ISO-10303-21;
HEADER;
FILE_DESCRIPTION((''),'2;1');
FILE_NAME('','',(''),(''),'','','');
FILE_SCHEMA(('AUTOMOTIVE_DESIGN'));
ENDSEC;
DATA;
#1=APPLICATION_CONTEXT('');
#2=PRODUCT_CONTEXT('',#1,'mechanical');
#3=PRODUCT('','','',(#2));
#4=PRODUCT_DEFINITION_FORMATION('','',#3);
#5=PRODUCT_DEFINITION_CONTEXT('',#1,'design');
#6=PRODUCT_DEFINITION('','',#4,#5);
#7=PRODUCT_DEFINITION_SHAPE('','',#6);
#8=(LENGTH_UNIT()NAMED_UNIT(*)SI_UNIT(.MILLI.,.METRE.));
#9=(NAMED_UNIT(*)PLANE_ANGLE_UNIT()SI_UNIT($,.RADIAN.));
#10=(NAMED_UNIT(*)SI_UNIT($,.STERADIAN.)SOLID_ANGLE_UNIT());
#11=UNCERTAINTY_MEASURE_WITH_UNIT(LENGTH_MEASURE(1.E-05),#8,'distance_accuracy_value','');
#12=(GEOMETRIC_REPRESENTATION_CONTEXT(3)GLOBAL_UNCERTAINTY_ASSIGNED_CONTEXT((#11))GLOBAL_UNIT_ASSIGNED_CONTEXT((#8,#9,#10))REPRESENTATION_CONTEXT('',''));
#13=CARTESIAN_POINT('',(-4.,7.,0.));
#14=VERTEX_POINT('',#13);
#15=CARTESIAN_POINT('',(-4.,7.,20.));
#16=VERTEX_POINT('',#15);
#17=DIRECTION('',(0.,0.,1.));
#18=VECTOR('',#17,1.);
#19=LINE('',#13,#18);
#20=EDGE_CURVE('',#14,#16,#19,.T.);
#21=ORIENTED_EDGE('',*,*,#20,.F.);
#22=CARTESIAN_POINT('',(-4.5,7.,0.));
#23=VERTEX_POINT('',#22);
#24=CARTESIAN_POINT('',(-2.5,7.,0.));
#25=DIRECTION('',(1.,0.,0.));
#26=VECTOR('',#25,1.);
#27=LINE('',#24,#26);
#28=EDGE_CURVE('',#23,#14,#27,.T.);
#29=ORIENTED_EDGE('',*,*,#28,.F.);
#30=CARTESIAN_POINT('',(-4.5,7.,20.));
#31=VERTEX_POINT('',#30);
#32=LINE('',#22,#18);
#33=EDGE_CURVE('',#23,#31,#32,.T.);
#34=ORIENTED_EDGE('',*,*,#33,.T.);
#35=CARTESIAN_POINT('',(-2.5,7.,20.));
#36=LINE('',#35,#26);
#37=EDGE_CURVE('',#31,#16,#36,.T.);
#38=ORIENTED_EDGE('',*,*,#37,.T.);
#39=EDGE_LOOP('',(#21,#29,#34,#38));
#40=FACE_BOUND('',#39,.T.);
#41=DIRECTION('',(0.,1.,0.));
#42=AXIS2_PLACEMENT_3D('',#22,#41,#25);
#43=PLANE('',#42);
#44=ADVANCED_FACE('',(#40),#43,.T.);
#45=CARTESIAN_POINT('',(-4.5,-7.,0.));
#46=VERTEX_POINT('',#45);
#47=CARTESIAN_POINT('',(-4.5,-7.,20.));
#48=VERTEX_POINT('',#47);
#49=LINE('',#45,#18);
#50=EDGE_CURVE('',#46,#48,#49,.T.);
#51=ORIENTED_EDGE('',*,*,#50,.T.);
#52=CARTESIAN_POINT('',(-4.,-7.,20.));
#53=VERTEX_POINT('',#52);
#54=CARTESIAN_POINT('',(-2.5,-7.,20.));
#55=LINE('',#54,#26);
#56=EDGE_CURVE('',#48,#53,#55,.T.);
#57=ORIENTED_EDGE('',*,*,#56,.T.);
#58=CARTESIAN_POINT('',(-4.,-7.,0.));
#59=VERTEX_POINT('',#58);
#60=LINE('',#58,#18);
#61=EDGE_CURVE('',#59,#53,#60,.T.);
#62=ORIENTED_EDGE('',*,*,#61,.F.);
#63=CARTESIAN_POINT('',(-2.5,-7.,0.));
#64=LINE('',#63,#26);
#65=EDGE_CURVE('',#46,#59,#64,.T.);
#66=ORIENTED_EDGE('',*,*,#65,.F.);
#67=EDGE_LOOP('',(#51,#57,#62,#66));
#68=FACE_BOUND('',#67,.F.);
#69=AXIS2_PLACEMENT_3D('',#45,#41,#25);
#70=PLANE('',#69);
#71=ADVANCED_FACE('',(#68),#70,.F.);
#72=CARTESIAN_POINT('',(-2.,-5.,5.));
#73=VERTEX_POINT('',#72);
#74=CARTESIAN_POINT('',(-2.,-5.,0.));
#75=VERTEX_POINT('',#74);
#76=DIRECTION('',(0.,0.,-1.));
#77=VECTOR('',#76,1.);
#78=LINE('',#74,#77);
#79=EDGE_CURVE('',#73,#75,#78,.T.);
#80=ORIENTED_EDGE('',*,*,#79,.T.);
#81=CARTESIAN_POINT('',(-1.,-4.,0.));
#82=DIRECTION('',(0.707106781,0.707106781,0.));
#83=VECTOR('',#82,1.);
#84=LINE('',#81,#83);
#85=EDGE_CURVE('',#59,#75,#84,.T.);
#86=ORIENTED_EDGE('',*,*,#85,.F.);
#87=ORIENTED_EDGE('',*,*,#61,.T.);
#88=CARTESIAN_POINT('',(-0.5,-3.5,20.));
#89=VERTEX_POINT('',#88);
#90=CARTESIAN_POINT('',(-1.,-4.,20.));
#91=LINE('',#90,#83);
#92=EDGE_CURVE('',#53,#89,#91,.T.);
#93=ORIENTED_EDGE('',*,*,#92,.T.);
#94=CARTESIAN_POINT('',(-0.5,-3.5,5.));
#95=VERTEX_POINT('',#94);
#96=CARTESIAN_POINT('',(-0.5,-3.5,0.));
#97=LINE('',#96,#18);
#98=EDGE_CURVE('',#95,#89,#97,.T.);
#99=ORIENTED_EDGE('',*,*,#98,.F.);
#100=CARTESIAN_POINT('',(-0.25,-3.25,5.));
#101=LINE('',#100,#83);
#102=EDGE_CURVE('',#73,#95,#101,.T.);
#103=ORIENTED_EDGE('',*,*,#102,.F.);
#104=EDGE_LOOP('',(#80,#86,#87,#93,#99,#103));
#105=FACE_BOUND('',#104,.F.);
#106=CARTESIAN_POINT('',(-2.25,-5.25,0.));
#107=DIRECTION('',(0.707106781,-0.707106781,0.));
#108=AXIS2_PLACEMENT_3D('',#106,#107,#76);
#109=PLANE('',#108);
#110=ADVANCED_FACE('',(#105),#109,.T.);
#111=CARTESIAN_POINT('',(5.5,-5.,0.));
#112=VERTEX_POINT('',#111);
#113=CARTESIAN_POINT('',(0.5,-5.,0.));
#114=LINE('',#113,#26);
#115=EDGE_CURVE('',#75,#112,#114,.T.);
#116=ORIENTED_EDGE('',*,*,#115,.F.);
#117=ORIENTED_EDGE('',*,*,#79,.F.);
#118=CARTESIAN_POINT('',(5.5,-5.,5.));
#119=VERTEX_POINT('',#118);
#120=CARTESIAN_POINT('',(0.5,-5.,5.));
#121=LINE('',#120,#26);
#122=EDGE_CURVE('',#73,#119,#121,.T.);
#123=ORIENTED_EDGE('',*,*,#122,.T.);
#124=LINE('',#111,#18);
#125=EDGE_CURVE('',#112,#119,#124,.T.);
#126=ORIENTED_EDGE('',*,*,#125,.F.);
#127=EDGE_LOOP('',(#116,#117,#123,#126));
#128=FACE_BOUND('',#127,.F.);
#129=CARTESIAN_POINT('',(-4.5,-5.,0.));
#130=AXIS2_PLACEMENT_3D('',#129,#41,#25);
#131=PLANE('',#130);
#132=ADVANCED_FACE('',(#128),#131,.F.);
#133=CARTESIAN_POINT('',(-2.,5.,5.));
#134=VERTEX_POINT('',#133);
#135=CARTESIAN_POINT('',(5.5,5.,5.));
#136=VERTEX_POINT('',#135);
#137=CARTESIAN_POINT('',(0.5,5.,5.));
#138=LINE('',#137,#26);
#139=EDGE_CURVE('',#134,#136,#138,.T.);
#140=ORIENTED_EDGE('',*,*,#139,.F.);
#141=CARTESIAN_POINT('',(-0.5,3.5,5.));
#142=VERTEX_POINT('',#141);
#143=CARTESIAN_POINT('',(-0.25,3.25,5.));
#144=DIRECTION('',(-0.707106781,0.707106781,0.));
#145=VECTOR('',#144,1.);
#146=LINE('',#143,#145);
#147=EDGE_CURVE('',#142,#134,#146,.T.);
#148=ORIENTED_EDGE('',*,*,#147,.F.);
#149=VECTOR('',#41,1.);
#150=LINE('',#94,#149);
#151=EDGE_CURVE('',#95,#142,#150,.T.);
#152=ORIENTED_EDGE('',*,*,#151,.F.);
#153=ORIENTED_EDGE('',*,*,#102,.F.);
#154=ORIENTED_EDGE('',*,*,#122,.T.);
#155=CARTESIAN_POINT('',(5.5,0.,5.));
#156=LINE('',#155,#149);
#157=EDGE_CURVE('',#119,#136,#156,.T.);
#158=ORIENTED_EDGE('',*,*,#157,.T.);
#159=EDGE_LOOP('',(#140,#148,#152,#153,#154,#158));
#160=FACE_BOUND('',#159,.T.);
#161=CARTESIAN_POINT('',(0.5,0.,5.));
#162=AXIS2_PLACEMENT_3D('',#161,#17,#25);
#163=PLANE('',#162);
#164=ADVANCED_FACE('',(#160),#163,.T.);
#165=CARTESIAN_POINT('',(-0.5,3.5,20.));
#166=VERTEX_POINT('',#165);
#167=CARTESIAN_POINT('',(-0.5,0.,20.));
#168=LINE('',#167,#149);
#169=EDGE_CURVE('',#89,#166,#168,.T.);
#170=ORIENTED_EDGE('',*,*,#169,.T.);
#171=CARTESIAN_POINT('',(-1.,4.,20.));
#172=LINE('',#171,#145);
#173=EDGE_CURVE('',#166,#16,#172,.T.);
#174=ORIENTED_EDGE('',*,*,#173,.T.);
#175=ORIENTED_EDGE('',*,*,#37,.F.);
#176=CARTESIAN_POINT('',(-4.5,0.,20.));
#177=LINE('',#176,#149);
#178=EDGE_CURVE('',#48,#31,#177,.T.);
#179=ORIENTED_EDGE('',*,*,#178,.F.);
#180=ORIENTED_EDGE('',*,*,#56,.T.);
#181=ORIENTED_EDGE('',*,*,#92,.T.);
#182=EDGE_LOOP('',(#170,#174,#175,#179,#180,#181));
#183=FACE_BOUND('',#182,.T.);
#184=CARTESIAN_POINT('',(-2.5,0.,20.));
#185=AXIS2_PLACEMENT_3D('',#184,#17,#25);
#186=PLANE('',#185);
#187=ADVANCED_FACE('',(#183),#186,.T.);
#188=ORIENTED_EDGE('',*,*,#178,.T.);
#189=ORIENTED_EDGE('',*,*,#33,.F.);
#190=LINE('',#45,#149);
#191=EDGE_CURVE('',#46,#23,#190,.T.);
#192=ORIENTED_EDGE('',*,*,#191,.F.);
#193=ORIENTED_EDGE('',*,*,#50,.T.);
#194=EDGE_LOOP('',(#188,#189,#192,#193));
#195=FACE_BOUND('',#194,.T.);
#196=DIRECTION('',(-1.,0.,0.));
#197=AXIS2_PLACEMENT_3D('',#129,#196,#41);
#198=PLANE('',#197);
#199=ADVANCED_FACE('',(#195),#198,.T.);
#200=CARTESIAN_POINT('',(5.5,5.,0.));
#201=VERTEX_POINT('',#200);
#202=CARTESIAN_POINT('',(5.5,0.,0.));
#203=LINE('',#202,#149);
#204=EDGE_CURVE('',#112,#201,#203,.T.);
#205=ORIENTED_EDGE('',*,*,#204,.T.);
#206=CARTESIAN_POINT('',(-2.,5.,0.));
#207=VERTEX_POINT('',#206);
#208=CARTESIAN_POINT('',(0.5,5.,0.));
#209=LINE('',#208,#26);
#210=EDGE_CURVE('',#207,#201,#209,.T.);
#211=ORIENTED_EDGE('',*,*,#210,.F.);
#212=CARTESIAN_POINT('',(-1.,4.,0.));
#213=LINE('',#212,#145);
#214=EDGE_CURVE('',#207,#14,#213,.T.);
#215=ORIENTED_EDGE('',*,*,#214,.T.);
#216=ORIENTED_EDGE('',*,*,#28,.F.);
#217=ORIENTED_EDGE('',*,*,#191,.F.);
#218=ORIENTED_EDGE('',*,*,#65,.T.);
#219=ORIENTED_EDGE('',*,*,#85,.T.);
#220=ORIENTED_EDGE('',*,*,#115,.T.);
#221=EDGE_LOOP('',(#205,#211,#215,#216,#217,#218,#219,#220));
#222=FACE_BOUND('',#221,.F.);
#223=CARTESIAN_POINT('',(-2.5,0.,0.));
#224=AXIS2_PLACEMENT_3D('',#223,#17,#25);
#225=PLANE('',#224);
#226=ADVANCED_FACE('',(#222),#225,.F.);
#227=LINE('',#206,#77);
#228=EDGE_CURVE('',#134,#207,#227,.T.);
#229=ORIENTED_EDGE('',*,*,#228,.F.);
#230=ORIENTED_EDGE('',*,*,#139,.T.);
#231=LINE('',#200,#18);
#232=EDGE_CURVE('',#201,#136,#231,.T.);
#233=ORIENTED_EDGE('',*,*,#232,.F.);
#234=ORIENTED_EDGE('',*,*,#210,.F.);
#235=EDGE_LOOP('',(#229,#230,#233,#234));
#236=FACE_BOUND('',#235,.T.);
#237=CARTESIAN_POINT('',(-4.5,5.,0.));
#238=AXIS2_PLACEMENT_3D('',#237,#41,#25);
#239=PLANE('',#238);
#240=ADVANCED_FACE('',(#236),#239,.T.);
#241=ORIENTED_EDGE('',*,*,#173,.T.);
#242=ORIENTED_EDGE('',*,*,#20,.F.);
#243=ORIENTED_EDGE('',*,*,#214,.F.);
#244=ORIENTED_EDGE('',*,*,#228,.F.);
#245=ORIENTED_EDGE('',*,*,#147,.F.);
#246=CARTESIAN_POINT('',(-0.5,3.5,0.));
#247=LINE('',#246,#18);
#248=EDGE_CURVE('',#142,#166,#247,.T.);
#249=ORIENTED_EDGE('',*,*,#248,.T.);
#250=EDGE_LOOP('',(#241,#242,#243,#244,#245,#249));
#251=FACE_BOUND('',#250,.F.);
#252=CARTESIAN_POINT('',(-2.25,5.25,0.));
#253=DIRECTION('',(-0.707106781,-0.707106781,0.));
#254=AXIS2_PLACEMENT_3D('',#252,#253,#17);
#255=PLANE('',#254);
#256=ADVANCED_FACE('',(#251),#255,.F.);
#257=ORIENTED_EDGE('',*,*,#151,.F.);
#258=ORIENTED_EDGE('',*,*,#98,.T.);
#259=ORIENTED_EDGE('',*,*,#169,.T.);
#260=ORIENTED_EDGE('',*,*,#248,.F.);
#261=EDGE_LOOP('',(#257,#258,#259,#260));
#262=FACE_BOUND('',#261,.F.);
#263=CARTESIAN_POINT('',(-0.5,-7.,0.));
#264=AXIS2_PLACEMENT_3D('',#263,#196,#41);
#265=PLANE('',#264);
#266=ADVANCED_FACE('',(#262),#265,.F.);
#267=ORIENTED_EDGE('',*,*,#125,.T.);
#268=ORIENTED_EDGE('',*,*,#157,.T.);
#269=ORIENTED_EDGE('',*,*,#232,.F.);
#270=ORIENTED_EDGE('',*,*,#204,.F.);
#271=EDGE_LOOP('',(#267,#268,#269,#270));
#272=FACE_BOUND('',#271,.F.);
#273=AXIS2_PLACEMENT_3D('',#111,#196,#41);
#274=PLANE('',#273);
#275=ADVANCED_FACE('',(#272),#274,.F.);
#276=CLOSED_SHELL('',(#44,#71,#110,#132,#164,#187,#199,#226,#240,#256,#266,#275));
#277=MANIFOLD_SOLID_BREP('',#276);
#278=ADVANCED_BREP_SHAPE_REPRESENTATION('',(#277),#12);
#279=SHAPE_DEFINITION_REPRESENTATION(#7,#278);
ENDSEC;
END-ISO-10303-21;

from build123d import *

# Parameters (mm, degrees)
BOX042_W                                         = 10
BOX042_H                                         = 10
BOX042_DEPTH                                     = 5
BOX041_W                                         = 4
BOX041_H                                         = 14
BOX041_DEPTH                                     = 20
CHAMFER004013007011015006009007001005003019_SIZE = 3.5


with BuildPart() as cube042:
    # Box042 → Box042 (new body)
    with BuildSketch(Plane(origin=(-4.5, -5, 0), x_dir=(1, 0, 0), z_dir=(0, 0, 1))):
        with Locations((5, 5)):
            Rectangle(BOX042_W, BOX042_H)
    extrude(amount=BOX042_DEPTH)


with BuildPart() as block_remover_btm:
    # Box041 → Box041 (new body)
    with BuildSketch(Plane(origin=(-4.5, -7, 0), x_dir=(1, 0, 0), z_dir=(0, 0, 1))):
        with Locations((2, 7)):
            Rectangle(BOX041_W, BOX041_H)
    extrude(amount=BOX041_DEPTH)

    # Chamfer004013007011015006009007001005003019
    chamfer004013007011015006009007001005003019_edges = [block_remover_btm.edges().sort_by_distance(p)[0] for p in [
        (-0.5, -7, 10),
        (-0.5, 7, 10),
    ]]
    chamfer(chamfer004013007011015006009007001005003019_edges, length=CHAMFER004013007011015006009007001005003019_SIZE)

    # Fusion004025023011: union Cube042
    add(cube042.part)


solid = block_remover_btm.part
